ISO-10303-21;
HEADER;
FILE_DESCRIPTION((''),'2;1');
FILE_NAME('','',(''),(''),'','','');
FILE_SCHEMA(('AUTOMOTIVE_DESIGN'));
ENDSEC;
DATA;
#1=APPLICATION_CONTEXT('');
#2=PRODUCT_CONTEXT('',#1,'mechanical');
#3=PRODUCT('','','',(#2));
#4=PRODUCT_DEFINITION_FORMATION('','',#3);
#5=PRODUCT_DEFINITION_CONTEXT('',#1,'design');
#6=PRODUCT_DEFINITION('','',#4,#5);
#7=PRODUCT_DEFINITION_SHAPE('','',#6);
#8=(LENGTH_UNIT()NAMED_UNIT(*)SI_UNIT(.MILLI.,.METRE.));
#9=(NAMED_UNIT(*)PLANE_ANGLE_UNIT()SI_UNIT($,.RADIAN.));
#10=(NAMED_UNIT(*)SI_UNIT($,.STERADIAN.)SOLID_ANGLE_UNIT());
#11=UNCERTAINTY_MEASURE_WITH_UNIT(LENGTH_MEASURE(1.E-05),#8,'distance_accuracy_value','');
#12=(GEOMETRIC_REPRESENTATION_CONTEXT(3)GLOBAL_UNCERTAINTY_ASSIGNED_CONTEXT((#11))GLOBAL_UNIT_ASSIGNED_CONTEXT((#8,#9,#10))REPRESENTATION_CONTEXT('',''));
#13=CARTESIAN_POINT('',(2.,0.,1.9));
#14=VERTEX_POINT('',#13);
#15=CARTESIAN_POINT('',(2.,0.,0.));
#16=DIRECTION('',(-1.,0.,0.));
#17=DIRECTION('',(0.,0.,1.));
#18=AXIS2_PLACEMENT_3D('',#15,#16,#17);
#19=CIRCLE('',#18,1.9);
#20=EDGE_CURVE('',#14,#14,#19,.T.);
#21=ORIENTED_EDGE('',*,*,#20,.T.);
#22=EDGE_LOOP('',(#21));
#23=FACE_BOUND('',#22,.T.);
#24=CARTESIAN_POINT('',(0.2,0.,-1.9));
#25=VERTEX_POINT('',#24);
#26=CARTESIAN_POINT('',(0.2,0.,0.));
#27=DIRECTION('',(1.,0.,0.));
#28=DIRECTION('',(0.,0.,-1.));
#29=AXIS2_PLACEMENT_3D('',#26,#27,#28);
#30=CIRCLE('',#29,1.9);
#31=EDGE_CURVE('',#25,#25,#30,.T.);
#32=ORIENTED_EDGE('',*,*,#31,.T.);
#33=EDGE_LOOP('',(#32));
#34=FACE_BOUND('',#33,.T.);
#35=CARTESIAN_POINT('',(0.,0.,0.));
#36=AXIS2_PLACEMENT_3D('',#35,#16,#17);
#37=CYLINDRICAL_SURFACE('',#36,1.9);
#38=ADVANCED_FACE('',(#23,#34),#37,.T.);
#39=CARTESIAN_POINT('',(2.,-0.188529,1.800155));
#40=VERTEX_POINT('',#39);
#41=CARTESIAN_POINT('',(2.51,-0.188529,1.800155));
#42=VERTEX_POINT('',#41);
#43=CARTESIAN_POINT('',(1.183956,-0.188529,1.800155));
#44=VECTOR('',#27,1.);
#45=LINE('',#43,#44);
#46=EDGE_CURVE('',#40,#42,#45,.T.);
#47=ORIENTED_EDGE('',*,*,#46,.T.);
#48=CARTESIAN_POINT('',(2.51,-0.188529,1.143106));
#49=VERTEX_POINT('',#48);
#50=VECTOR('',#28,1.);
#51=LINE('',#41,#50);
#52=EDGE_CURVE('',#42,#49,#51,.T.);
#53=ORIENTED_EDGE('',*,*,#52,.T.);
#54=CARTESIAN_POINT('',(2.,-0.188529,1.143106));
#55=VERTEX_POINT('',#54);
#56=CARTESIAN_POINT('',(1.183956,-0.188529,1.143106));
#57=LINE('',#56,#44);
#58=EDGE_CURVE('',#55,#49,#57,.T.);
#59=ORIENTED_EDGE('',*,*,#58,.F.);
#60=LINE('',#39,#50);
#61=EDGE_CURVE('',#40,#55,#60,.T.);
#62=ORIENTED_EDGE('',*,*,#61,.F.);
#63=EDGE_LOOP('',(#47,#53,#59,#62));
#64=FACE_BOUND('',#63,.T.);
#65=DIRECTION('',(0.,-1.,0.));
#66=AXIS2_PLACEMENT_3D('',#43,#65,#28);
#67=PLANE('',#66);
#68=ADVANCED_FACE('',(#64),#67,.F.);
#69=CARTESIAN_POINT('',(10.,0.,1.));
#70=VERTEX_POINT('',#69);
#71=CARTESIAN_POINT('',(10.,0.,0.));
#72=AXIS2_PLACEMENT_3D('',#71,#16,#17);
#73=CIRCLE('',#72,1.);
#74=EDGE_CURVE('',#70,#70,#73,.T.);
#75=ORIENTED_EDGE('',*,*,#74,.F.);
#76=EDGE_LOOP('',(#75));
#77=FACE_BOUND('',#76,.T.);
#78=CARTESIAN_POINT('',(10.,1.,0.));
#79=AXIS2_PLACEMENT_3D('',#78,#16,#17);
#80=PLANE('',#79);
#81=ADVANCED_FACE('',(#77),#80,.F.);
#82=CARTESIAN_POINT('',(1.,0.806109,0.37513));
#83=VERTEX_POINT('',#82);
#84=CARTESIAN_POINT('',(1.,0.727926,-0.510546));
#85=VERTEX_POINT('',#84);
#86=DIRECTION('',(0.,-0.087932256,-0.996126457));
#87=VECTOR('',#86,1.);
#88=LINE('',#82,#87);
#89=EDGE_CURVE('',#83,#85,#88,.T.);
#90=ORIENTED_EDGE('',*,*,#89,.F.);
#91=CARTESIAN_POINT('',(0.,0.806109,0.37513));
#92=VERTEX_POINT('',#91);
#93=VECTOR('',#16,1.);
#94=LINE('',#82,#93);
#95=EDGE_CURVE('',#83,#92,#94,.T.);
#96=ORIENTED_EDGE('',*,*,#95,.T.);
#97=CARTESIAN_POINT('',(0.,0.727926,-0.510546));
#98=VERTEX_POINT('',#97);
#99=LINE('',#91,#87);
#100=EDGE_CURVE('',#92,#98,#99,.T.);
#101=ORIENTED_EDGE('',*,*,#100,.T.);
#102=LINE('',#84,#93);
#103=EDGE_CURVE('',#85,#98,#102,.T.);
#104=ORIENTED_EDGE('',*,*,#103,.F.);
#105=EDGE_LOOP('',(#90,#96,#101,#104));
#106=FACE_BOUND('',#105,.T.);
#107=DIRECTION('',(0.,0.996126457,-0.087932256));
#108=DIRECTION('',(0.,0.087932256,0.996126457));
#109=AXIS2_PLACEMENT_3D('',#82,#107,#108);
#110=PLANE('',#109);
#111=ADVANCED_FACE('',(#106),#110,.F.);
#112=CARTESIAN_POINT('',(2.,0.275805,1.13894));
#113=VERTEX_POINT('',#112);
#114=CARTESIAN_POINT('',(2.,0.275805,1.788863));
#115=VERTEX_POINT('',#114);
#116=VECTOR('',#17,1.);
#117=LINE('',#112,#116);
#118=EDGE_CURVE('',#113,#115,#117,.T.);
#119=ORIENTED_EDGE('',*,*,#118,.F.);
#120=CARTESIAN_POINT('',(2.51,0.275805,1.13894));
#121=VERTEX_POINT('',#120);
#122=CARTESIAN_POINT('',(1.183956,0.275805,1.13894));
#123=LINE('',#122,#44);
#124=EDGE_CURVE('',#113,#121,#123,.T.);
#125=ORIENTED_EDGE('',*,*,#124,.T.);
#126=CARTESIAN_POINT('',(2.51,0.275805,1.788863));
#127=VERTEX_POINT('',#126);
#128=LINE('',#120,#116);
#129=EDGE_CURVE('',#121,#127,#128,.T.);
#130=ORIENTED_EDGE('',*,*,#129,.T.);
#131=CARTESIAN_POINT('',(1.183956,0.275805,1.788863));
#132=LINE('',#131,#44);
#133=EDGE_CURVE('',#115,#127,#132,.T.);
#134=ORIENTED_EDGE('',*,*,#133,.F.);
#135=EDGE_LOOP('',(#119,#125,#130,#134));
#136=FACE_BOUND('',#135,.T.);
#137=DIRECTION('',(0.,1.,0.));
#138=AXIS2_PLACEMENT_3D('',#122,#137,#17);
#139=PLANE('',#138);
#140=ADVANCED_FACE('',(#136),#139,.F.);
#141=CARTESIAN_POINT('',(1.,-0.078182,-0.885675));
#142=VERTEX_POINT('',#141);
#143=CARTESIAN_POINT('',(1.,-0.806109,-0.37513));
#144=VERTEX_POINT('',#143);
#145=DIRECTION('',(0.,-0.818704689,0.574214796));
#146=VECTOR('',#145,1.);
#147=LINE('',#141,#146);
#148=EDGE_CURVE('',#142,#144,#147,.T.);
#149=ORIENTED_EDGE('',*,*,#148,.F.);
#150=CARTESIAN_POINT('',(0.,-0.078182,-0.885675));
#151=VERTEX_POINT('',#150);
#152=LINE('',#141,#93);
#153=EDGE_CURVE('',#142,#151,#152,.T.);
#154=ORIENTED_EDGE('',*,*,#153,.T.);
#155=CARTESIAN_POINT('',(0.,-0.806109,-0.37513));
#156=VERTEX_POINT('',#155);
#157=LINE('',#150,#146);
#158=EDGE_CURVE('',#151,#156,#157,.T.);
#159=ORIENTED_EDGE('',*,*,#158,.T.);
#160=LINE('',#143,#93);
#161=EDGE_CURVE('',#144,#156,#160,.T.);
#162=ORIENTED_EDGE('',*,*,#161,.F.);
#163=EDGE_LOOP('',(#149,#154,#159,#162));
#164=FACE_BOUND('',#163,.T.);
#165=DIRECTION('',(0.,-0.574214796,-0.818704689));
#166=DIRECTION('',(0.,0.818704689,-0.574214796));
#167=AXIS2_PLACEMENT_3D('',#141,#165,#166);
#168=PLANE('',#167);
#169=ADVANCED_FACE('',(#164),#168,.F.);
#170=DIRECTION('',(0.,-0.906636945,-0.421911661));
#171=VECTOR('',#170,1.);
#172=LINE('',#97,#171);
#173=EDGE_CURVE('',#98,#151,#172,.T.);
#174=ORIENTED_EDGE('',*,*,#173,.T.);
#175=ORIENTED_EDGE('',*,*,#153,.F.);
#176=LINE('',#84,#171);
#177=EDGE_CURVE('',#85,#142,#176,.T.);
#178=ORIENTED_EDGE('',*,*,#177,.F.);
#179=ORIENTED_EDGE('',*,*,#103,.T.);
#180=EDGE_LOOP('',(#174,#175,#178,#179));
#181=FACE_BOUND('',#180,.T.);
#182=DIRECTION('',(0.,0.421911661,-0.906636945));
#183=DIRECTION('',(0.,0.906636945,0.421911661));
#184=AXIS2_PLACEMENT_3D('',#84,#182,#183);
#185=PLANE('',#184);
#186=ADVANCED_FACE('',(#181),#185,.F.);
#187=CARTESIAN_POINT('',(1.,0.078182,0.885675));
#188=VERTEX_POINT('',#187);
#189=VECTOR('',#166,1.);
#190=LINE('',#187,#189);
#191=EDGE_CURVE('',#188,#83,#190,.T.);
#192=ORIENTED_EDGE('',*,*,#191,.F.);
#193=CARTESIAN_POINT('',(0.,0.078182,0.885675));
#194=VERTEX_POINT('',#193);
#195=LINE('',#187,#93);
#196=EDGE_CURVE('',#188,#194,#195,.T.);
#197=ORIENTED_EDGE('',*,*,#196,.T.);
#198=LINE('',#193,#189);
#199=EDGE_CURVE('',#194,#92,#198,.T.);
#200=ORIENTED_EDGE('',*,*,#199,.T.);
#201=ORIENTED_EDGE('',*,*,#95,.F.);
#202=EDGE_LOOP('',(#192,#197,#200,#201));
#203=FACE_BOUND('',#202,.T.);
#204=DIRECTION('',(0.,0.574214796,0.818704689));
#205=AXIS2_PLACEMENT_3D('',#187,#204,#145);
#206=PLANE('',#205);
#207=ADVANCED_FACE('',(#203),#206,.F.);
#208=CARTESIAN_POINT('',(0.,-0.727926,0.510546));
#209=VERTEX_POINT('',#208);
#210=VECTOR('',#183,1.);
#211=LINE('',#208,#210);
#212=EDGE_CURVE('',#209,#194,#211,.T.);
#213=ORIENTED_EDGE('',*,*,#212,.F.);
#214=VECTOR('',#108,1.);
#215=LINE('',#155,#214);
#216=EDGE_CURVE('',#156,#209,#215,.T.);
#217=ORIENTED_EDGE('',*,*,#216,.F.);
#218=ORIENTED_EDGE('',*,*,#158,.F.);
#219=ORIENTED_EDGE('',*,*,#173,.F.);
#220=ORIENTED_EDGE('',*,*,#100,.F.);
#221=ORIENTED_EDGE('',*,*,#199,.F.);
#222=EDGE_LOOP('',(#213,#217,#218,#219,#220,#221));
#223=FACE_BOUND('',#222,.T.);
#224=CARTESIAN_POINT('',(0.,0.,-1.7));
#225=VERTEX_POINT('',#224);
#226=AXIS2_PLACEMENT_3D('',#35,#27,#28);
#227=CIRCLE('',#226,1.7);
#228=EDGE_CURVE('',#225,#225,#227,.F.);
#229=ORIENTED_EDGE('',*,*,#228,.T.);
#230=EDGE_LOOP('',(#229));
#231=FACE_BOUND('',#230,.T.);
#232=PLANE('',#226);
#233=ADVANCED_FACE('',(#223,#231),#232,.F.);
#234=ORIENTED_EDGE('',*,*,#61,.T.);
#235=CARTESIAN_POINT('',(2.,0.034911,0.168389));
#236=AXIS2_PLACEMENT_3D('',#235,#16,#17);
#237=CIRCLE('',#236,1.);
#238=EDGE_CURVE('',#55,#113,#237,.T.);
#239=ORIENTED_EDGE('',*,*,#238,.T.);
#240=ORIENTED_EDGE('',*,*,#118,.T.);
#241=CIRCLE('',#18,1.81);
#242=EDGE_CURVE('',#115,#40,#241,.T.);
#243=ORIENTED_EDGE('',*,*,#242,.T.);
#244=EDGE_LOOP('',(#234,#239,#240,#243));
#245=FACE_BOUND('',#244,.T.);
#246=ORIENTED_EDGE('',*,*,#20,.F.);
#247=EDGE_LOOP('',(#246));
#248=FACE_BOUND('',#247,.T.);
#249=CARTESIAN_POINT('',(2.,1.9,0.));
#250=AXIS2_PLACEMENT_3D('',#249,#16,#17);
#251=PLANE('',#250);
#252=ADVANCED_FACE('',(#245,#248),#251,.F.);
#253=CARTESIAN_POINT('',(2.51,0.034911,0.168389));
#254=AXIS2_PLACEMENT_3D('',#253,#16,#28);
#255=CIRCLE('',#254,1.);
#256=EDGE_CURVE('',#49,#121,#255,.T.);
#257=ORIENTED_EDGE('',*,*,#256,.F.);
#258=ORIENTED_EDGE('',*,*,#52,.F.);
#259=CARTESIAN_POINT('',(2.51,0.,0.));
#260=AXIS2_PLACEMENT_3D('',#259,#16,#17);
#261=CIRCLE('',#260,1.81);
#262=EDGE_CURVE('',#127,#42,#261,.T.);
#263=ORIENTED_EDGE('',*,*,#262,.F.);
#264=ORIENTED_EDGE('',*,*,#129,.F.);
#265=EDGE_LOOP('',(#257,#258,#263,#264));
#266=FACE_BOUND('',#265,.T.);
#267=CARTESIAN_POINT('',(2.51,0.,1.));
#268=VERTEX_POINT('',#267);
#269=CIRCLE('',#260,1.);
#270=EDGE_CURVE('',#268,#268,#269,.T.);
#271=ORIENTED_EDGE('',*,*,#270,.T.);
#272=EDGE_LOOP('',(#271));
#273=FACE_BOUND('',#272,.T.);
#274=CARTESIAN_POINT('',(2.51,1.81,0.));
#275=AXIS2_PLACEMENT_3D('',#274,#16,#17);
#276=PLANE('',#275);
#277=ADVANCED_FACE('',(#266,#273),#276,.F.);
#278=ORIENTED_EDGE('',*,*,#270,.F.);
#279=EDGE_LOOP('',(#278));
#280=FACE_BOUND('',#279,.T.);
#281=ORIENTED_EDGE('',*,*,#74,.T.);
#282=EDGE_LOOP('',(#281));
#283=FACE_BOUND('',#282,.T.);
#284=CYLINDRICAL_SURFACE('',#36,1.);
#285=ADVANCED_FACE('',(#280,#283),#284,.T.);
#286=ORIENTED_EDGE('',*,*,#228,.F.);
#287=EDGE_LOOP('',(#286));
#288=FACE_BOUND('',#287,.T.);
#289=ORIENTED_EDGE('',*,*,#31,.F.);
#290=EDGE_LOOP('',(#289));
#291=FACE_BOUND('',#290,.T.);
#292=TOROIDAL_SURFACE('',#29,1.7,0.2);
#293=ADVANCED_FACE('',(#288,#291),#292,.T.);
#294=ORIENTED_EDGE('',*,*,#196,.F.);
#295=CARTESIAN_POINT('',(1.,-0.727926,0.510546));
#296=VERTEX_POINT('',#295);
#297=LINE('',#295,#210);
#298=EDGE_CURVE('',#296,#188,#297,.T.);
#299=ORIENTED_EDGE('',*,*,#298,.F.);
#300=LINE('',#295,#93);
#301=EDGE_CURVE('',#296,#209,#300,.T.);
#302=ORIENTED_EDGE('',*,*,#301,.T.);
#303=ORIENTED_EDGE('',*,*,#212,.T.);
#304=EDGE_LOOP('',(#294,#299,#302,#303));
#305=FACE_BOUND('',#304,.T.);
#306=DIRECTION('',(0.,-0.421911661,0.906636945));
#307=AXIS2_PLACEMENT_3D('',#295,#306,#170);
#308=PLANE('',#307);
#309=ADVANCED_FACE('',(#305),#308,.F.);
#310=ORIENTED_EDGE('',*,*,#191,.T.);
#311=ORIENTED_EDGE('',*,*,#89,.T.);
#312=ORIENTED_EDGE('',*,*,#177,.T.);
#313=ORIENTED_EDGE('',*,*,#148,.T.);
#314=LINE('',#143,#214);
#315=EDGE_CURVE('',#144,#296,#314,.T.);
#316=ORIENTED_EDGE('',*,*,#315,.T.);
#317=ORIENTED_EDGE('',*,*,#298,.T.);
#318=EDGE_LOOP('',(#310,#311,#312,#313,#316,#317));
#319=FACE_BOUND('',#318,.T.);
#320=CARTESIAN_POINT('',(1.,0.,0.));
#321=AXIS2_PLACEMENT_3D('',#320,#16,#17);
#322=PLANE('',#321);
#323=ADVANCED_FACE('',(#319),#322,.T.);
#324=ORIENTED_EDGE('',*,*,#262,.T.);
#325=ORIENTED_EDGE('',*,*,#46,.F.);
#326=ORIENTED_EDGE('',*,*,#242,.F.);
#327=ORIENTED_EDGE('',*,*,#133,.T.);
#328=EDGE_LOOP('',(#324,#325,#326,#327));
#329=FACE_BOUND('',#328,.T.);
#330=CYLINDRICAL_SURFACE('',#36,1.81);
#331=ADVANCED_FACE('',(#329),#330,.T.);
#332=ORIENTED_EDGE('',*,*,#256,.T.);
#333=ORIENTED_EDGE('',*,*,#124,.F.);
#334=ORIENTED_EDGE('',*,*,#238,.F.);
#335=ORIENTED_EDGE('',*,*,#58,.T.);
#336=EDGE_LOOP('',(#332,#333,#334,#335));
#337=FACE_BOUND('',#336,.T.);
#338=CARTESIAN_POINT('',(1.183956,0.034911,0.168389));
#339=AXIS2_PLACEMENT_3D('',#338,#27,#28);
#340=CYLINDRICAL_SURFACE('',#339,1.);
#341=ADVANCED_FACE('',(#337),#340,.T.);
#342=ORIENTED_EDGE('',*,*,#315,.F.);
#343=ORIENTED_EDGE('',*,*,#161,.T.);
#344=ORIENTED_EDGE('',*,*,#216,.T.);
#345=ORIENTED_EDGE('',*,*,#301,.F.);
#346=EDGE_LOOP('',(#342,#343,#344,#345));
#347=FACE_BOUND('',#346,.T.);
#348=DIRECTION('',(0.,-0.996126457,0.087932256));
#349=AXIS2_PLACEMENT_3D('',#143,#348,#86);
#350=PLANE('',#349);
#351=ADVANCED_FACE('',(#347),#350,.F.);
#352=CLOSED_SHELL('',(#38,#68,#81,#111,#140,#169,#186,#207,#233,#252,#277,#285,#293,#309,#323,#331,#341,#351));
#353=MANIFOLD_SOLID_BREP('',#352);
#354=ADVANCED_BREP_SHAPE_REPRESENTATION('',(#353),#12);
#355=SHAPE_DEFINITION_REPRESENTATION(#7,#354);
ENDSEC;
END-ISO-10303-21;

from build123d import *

# Parameters (mm, degrees)
CUT_EXTRUDE_1_DEPTH = 1
FILLET_1_R          = 0.2
CUT_EXTRUDE_2_DEPTH = 0.51


with BuildPart() as part:
    # 草图1 → 旋转1 (revolve)
    with BuildSketch(Plane.XY):
        Polygon((0, 0), (0, 1.9), (2, 1.9), (2, 1.81), (2.51, 1.81), (2.51, 1), (10, 1), (10, 0), align=None)
    revolve(axis=Axis((0, 0, 0), (1, 0, 0)))

    # 草图2 → 切除-拉伸1 (cut)
    with BuildSketch(Plane.ZY):
        Polygon((0.510545523, -0.727926234), (0.885675372, 0.078182276), (0.375129849, 0.80610851), (-0.510545523, 0.727926234), (-0.885675372, -0.078182276), (-0.375129849, -0.80610851), align=None)
    extrude(amount=-CUT_EXTRUDE_1_DEPTH, mode=Mode.SUBTRACT)

    # 圆角1
    fillet_1_edges = [part.edges().sort_by_distance(p)[0] for p in [
        (0, -1.9, 0),
    ]]
    fillet(fillet_1_edges, radius=FILLET_1_R)

    # 草图3 → 切除-拉伸2 (cut)
    with BuildSketch(Plane(origin=(2.51, 0, 0), x_dir=(0, 0, -1), z_dir=(1, 0, 0))):
        with BuildLine():
            Line((-1.138940095, 0.275804569), (-1.788863281, 0.275804569))
            ThreePointArc((-1.788863281, 0.275804569), (-1.809465078, 0.044001494), (-1.800154668, -0.188528969))
            Line((-1.800154668, -0.188528969), (-1.143106206, -0.188528969))
            ThreePointArc((-1.143106206, -0.188528969), (-1.168348286, 0.043882968), (-1.138940095, 0.275804569))
        make_face()
    extrude(amount=-CUT_EXTRUDE_2_DEPTH, mode=Mode.SUBTRACT)


solid = part.part
